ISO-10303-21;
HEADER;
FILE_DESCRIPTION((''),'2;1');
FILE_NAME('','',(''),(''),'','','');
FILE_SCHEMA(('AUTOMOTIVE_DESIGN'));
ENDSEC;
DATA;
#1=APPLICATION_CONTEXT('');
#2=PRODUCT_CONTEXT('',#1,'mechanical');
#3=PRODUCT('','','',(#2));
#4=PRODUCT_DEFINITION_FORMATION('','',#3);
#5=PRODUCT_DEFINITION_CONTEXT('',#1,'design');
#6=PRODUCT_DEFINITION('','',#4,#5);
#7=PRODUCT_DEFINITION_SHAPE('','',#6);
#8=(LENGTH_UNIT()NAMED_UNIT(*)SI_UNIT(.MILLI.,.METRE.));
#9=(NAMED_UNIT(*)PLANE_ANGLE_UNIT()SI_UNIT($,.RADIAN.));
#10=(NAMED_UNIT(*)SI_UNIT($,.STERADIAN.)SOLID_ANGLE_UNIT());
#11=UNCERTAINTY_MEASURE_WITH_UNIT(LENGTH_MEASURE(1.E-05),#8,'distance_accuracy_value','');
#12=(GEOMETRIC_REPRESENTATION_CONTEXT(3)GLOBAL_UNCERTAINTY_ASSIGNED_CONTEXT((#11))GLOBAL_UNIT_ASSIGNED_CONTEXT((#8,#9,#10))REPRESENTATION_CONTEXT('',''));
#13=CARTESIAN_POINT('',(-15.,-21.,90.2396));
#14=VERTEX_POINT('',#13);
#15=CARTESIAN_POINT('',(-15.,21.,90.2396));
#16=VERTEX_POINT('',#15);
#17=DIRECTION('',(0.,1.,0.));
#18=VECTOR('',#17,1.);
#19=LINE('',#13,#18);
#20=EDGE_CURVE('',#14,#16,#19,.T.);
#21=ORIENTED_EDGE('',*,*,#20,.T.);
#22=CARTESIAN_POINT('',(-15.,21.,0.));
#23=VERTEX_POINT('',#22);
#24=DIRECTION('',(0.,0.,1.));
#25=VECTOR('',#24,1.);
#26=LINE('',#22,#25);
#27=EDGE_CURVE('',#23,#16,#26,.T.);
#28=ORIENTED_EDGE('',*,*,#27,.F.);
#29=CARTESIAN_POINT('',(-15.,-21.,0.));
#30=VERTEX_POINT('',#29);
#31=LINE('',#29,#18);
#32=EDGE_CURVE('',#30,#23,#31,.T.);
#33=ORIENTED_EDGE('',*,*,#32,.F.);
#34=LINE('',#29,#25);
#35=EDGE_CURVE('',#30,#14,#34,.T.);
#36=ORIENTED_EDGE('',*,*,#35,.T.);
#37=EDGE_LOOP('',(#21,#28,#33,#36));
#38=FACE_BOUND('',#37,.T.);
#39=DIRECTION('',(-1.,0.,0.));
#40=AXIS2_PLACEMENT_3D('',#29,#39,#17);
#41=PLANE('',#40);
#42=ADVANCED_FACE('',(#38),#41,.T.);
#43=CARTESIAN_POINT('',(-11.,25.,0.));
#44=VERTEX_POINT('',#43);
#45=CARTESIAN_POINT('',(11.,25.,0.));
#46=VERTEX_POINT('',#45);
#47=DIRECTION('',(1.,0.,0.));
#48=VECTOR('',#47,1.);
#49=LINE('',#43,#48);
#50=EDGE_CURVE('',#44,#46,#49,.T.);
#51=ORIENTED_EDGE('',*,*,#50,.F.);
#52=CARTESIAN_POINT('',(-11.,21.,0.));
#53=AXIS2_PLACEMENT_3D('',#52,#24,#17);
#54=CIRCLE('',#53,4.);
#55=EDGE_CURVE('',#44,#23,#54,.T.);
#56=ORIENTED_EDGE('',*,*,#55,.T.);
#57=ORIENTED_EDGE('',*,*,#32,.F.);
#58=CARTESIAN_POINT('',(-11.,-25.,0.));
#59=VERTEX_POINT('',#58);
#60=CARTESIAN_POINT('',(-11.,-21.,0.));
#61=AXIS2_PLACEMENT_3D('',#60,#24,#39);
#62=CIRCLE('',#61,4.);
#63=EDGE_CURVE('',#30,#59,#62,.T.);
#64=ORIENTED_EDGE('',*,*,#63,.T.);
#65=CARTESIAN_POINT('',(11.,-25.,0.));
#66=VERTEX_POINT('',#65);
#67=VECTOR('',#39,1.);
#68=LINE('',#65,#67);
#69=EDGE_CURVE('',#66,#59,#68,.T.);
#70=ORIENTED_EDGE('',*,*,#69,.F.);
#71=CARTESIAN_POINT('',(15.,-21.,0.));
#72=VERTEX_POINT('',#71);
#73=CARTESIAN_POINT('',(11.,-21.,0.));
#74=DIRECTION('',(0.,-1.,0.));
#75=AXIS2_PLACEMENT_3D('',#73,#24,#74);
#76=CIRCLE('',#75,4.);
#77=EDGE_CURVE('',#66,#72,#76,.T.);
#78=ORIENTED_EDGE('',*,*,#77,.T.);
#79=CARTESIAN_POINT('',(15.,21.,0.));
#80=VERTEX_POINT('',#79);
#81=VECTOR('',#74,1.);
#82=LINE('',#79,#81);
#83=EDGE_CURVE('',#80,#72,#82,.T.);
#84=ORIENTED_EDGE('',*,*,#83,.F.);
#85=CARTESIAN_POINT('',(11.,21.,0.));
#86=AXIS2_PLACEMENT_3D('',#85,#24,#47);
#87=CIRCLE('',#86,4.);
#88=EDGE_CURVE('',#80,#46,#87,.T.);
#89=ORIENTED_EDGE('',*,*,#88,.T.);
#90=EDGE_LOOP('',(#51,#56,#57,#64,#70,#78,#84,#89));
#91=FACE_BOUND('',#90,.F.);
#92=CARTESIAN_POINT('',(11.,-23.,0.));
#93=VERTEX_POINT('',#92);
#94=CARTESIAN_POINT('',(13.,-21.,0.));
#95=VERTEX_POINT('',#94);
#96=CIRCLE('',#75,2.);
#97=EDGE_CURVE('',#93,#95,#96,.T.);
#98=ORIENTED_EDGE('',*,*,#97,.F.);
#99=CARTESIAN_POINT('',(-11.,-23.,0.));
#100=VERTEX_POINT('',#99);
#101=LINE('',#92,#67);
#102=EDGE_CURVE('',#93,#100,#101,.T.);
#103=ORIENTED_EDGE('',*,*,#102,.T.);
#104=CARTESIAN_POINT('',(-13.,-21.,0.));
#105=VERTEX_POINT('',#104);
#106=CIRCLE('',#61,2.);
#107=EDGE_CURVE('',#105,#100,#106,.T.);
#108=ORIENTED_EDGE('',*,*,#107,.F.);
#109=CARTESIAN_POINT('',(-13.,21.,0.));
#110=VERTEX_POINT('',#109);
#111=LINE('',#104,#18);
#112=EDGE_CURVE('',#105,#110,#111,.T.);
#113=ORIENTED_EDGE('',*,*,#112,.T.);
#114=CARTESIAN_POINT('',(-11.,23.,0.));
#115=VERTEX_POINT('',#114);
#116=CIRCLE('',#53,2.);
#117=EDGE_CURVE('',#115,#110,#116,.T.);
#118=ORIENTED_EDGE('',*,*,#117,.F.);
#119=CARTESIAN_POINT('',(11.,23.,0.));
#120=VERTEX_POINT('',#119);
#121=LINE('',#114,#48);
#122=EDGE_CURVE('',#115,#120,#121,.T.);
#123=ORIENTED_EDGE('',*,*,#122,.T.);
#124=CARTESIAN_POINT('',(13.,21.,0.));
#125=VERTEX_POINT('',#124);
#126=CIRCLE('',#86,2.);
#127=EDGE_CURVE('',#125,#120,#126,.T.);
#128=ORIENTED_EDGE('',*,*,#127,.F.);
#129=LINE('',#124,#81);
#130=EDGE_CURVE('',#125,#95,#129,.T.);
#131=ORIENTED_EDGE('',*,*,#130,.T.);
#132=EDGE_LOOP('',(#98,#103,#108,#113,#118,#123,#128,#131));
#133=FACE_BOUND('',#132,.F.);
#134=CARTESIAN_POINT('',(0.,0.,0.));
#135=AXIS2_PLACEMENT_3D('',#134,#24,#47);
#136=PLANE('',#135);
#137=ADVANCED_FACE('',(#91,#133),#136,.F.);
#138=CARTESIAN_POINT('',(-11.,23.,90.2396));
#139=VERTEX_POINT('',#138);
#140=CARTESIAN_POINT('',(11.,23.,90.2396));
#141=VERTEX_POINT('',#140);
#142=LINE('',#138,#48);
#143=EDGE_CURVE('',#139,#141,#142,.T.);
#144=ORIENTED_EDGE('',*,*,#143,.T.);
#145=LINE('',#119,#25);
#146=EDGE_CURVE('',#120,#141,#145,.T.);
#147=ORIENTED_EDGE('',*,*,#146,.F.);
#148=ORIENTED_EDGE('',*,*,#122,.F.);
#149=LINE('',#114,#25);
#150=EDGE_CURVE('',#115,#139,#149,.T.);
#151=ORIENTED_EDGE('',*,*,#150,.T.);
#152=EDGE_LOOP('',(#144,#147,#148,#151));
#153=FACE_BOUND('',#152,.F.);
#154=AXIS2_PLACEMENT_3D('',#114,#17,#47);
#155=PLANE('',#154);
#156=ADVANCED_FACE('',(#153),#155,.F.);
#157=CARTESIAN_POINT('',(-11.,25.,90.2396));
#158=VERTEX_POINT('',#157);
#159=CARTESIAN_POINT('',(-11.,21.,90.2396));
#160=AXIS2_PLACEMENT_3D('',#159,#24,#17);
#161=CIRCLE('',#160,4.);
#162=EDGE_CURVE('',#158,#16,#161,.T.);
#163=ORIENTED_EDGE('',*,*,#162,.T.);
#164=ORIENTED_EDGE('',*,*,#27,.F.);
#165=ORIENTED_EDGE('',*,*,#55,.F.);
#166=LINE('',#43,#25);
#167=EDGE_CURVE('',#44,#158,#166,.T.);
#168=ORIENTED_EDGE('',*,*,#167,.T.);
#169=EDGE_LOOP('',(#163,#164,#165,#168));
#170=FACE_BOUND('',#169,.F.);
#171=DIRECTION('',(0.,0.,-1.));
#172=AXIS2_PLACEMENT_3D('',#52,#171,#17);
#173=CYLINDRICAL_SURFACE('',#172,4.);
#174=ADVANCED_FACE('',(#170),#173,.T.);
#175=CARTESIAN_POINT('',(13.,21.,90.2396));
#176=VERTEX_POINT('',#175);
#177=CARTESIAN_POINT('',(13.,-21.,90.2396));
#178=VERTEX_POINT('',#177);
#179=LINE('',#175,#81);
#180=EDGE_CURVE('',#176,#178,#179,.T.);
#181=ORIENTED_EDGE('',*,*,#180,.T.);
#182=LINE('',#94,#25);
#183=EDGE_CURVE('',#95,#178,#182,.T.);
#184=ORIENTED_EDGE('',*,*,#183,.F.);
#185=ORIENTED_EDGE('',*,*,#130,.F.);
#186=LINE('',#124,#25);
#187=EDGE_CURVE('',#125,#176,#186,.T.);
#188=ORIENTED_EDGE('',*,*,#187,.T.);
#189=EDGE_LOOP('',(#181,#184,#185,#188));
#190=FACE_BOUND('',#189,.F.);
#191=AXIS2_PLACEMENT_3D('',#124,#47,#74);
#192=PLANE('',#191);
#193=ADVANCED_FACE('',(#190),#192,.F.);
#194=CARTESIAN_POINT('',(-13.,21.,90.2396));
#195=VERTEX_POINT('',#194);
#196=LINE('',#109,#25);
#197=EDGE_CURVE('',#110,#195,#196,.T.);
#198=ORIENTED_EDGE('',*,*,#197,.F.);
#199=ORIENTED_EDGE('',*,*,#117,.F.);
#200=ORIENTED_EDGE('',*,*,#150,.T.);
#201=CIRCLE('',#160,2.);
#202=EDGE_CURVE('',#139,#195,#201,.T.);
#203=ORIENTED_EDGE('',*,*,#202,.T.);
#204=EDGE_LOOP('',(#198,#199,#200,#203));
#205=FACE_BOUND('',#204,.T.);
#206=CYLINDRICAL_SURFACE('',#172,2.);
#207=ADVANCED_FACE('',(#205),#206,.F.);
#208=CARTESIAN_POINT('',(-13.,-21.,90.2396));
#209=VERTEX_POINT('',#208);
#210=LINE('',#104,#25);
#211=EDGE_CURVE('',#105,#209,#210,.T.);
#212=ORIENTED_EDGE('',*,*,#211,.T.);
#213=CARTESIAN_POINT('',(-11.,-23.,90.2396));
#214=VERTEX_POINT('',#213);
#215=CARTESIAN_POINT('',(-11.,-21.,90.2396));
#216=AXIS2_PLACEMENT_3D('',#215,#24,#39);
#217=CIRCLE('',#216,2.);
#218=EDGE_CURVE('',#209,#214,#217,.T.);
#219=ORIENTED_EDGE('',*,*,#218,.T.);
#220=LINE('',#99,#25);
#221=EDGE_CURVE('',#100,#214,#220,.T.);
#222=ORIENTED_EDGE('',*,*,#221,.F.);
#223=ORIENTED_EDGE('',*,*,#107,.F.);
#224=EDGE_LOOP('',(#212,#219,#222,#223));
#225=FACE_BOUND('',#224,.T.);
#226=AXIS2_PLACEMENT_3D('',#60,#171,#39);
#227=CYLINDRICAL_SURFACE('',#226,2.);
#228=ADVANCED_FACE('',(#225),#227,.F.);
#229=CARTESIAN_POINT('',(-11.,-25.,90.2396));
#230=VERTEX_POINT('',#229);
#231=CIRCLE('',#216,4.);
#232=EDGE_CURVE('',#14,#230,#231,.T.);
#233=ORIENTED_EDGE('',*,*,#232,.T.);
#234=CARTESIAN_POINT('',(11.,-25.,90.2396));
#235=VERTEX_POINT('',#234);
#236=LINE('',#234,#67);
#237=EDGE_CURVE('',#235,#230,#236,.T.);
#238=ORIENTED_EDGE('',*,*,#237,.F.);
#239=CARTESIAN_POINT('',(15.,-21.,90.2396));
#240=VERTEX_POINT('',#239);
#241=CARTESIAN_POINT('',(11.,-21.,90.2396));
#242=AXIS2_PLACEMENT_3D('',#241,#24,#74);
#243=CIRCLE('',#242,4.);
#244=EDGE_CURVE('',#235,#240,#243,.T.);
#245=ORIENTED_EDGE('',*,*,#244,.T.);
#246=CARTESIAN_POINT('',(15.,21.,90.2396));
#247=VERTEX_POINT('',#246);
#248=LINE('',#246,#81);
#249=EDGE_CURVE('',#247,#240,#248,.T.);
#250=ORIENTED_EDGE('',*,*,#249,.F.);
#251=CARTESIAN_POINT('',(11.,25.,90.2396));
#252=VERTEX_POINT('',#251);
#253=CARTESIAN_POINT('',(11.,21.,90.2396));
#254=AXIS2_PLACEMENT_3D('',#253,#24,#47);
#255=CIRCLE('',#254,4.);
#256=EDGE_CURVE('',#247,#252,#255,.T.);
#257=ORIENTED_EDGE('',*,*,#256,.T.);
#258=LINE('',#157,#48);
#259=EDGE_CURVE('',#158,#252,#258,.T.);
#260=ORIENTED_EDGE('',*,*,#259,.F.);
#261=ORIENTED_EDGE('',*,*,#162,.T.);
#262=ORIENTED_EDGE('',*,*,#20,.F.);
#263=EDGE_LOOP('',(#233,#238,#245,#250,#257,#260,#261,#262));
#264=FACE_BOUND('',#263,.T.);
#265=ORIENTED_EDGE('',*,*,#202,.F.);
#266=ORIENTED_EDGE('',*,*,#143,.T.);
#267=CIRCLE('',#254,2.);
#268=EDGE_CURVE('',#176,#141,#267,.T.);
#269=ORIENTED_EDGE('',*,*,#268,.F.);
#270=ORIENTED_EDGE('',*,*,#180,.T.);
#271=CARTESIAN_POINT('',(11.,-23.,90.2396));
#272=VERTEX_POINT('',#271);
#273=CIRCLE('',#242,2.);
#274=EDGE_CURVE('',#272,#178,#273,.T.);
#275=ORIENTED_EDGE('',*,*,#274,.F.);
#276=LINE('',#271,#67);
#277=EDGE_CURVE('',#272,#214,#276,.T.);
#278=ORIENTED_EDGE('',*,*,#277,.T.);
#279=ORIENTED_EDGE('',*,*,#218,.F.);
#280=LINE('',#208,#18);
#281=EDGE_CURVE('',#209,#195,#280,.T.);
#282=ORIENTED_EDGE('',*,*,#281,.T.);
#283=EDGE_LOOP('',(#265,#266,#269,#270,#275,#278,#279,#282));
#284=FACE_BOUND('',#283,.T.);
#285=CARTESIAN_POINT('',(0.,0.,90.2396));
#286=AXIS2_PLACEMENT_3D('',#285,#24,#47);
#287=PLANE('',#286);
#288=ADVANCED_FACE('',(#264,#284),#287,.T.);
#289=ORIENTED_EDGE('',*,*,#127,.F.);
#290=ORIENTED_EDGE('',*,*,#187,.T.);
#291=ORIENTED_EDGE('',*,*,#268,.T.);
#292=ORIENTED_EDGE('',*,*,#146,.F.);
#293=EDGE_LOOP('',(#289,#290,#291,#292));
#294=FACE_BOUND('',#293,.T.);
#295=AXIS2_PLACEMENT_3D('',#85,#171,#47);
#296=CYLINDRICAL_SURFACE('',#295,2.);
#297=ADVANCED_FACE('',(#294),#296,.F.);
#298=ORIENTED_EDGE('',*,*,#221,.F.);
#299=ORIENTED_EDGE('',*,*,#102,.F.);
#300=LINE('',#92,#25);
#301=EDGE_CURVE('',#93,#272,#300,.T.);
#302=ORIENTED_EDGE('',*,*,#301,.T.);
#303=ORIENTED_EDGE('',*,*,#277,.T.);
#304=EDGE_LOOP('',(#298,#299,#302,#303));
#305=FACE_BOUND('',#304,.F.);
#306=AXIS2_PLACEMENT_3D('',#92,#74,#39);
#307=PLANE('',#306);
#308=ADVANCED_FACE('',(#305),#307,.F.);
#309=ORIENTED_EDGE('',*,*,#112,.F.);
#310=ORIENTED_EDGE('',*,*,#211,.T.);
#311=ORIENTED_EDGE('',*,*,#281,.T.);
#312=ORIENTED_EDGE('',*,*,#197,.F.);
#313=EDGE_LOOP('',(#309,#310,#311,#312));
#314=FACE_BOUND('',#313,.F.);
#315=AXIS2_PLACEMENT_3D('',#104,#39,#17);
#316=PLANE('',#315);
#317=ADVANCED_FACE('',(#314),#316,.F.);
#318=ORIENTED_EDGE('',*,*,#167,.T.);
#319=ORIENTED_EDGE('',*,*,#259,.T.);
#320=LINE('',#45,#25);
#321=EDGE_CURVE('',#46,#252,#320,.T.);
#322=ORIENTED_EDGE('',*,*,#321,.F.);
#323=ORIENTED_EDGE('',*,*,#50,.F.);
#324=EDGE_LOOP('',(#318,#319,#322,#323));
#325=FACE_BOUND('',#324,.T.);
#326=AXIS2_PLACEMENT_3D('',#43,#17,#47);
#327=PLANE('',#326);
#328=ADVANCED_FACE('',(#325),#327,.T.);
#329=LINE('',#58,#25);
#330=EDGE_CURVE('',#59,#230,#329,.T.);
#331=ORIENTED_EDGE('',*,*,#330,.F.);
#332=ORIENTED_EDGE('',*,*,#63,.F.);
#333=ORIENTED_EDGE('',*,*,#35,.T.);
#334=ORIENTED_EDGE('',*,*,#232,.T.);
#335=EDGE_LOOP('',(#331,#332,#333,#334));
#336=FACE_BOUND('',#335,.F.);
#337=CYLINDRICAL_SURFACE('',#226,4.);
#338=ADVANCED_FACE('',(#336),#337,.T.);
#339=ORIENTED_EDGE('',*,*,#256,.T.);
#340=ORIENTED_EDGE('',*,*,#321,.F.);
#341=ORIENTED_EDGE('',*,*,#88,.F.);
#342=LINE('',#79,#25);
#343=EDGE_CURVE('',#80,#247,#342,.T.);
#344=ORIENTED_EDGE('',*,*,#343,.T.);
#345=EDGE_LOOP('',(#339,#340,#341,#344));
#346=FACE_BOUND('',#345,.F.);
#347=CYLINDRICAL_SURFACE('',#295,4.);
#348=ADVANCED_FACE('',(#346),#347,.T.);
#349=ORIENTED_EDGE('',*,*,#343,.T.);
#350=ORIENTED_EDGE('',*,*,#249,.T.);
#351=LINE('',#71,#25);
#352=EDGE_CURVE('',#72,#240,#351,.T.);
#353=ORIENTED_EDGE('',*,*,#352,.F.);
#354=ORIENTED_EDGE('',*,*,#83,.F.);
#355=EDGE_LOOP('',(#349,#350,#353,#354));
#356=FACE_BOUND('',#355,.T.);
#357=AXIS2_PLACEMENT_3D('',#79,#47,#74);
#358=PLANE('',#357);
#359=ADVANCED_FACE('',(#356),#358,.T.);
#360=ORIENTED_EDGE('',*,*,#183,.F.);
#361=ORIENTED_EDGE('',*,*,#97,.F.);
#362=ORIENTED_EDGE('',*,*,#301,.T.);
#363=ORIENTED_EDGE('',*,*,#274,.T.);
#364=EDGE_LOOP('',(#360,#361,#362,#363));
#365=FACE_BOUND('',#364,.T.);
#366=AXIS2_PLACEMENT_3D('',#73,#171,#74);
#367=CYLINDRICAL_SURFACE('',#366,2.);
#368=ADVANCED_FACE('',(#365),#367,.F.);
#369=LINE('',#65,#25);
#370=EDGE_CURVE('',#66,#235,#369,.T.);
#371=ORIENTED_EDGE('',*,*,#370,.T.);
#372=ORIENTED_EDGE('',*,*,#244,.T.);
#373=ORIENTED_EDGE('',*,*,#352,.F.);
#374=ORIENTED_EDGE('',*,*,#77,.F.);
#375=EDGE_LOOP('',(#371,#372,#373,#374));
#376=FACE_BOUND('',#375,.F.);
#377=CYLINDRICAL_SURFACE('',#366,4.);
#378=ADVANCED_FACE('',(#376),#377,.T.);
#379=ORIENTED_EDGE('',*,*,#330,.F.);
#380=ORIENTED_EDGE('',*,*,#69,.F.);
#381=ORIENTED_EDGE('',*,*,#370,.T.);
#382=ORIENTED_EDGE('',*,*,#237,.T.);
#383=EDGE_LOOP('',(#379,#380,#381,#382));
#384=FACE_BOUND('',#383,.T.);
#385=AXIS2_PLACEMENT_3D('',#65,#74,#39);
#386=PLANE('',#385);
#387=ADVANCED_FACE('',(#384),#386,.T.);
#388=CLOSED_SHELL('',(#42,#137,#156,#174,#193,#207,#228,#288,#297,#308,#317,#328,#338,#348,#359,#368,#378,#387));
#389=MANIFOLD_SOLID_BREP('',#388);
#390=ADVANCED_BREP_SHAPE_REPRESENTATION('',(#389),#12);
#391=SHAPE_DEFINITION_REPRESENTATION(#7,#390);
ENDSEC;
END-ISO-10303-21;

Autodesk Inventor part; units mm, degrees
ref_plane "YZ Plane" through (0, 0, 0) normal (1, 0, 0) x (0, 1, 0)
ref_plane "Plano inicial" through (0, 0, 0) normal (0, 0, 1) x (1, 0, 0)
ref_plane "Plano final" through (0, 0, 90.2396) normal (0, 0, 1) x (1, 0, 0)
sketch "Esboço" plane through (0, 0, 0) normal (0, 0, 1) x (1, 0, 0)
  line L0 (-15, -21) -> (-15, 21)
  line L1 (-11, 25) -> (11, 25)
  line L2 (15, 21) -> (15, -21)
  line L3 (11, -25) -> (-11, -25)
  arc A0 (-15, -21) -> (-11, -25) centre (-11, -21) ccw
  arc A1 (15, 21) -> (11, 25) centre (11, 21) ccw
  arc A2 (-11, 25) -> (-15, 21) centre (-11, 21) ccw
  arc A3 (11, -25) -> (15, -21) centre (11, -21) ccw
  arc A4 (-11, 23) -> (-13, 21) centre (-11, 21) ccw
  line L4 (-11, 23) -> (11, 23)
  arc A5 (13, 21) -> (11, 23) centre (11, 21) ccw
  line L5 (13, 21) -> (13, -21)
  arc A6 (11, -23) -> (13, -21) centre (11, -21) ccw
  line L6 (11, -23) -> (-11, -23)
  arc A7 (-13, -21) -> (-11, -23) centre (-11, -21) ccw
  line L7 (-13, -21) -> (-13, 21)
  line L8 (0, 36.1598) -> (0, -36.1598) construction
  line L9 (-22.1598, 0) -> (22.1598, 0) construction
  dimension "d7" = 4
  dimension "d9" = 30
  dimension "d11" = 50
  dimension "d12" = 2
  dimension "d15" = 15
  dimension "d16" = 25
extrude "Corpo" add sketch "Esboço" along normal up to surface (90.2396 mm away) from surface at 0
sketch "Sketch3" plane through (0, 0, 0) normal (0, 0, 1) x (1, 0, 0)
  line L0 (0, 0) -> (10, 0)
ref_plane "Work Plane3" through (0, 0, 0) normal (0, -1, 0) x (1, 0, 0)
sketch "Sketch4" plane through (0, 0, 0) normal (0, -1, 0) x (1, 0, 0)
  line L0 (-2, 0) -> (12, 0)
  line L1 (-2, 90.2396) -> (12, 90.2396)
  dimension "d18" = 90.2396
equation "\"d7\" = G_IR"
equation "\"d9\" = G_W"
equation "\"d11\" = G_H"
equation "\"d12\" = G_T"
equation "\"d15\" = 0.5 * d9"
equation "\"d16\" = 0.5 * d11"
equation "\"d3\" = G_L"
equation "\"G_W\" = 30"
equation "\"G_H\" = 50"
equation "\"G_T\" = 2"
equation "\"G_IR\" = 4"
equation "\"G_L\" = d18"
equation "\"G_OFFSET_START\" = 0"
equation "\"G_OFFSET_END\" = 0"
equation "\"d14\" = G_OFFSET_END + B_L"
equation "\"B_L\" = 90.23957"
properties part number "ISO 4019 - 50x30x2 - 90,24" material "Aço, suave"
